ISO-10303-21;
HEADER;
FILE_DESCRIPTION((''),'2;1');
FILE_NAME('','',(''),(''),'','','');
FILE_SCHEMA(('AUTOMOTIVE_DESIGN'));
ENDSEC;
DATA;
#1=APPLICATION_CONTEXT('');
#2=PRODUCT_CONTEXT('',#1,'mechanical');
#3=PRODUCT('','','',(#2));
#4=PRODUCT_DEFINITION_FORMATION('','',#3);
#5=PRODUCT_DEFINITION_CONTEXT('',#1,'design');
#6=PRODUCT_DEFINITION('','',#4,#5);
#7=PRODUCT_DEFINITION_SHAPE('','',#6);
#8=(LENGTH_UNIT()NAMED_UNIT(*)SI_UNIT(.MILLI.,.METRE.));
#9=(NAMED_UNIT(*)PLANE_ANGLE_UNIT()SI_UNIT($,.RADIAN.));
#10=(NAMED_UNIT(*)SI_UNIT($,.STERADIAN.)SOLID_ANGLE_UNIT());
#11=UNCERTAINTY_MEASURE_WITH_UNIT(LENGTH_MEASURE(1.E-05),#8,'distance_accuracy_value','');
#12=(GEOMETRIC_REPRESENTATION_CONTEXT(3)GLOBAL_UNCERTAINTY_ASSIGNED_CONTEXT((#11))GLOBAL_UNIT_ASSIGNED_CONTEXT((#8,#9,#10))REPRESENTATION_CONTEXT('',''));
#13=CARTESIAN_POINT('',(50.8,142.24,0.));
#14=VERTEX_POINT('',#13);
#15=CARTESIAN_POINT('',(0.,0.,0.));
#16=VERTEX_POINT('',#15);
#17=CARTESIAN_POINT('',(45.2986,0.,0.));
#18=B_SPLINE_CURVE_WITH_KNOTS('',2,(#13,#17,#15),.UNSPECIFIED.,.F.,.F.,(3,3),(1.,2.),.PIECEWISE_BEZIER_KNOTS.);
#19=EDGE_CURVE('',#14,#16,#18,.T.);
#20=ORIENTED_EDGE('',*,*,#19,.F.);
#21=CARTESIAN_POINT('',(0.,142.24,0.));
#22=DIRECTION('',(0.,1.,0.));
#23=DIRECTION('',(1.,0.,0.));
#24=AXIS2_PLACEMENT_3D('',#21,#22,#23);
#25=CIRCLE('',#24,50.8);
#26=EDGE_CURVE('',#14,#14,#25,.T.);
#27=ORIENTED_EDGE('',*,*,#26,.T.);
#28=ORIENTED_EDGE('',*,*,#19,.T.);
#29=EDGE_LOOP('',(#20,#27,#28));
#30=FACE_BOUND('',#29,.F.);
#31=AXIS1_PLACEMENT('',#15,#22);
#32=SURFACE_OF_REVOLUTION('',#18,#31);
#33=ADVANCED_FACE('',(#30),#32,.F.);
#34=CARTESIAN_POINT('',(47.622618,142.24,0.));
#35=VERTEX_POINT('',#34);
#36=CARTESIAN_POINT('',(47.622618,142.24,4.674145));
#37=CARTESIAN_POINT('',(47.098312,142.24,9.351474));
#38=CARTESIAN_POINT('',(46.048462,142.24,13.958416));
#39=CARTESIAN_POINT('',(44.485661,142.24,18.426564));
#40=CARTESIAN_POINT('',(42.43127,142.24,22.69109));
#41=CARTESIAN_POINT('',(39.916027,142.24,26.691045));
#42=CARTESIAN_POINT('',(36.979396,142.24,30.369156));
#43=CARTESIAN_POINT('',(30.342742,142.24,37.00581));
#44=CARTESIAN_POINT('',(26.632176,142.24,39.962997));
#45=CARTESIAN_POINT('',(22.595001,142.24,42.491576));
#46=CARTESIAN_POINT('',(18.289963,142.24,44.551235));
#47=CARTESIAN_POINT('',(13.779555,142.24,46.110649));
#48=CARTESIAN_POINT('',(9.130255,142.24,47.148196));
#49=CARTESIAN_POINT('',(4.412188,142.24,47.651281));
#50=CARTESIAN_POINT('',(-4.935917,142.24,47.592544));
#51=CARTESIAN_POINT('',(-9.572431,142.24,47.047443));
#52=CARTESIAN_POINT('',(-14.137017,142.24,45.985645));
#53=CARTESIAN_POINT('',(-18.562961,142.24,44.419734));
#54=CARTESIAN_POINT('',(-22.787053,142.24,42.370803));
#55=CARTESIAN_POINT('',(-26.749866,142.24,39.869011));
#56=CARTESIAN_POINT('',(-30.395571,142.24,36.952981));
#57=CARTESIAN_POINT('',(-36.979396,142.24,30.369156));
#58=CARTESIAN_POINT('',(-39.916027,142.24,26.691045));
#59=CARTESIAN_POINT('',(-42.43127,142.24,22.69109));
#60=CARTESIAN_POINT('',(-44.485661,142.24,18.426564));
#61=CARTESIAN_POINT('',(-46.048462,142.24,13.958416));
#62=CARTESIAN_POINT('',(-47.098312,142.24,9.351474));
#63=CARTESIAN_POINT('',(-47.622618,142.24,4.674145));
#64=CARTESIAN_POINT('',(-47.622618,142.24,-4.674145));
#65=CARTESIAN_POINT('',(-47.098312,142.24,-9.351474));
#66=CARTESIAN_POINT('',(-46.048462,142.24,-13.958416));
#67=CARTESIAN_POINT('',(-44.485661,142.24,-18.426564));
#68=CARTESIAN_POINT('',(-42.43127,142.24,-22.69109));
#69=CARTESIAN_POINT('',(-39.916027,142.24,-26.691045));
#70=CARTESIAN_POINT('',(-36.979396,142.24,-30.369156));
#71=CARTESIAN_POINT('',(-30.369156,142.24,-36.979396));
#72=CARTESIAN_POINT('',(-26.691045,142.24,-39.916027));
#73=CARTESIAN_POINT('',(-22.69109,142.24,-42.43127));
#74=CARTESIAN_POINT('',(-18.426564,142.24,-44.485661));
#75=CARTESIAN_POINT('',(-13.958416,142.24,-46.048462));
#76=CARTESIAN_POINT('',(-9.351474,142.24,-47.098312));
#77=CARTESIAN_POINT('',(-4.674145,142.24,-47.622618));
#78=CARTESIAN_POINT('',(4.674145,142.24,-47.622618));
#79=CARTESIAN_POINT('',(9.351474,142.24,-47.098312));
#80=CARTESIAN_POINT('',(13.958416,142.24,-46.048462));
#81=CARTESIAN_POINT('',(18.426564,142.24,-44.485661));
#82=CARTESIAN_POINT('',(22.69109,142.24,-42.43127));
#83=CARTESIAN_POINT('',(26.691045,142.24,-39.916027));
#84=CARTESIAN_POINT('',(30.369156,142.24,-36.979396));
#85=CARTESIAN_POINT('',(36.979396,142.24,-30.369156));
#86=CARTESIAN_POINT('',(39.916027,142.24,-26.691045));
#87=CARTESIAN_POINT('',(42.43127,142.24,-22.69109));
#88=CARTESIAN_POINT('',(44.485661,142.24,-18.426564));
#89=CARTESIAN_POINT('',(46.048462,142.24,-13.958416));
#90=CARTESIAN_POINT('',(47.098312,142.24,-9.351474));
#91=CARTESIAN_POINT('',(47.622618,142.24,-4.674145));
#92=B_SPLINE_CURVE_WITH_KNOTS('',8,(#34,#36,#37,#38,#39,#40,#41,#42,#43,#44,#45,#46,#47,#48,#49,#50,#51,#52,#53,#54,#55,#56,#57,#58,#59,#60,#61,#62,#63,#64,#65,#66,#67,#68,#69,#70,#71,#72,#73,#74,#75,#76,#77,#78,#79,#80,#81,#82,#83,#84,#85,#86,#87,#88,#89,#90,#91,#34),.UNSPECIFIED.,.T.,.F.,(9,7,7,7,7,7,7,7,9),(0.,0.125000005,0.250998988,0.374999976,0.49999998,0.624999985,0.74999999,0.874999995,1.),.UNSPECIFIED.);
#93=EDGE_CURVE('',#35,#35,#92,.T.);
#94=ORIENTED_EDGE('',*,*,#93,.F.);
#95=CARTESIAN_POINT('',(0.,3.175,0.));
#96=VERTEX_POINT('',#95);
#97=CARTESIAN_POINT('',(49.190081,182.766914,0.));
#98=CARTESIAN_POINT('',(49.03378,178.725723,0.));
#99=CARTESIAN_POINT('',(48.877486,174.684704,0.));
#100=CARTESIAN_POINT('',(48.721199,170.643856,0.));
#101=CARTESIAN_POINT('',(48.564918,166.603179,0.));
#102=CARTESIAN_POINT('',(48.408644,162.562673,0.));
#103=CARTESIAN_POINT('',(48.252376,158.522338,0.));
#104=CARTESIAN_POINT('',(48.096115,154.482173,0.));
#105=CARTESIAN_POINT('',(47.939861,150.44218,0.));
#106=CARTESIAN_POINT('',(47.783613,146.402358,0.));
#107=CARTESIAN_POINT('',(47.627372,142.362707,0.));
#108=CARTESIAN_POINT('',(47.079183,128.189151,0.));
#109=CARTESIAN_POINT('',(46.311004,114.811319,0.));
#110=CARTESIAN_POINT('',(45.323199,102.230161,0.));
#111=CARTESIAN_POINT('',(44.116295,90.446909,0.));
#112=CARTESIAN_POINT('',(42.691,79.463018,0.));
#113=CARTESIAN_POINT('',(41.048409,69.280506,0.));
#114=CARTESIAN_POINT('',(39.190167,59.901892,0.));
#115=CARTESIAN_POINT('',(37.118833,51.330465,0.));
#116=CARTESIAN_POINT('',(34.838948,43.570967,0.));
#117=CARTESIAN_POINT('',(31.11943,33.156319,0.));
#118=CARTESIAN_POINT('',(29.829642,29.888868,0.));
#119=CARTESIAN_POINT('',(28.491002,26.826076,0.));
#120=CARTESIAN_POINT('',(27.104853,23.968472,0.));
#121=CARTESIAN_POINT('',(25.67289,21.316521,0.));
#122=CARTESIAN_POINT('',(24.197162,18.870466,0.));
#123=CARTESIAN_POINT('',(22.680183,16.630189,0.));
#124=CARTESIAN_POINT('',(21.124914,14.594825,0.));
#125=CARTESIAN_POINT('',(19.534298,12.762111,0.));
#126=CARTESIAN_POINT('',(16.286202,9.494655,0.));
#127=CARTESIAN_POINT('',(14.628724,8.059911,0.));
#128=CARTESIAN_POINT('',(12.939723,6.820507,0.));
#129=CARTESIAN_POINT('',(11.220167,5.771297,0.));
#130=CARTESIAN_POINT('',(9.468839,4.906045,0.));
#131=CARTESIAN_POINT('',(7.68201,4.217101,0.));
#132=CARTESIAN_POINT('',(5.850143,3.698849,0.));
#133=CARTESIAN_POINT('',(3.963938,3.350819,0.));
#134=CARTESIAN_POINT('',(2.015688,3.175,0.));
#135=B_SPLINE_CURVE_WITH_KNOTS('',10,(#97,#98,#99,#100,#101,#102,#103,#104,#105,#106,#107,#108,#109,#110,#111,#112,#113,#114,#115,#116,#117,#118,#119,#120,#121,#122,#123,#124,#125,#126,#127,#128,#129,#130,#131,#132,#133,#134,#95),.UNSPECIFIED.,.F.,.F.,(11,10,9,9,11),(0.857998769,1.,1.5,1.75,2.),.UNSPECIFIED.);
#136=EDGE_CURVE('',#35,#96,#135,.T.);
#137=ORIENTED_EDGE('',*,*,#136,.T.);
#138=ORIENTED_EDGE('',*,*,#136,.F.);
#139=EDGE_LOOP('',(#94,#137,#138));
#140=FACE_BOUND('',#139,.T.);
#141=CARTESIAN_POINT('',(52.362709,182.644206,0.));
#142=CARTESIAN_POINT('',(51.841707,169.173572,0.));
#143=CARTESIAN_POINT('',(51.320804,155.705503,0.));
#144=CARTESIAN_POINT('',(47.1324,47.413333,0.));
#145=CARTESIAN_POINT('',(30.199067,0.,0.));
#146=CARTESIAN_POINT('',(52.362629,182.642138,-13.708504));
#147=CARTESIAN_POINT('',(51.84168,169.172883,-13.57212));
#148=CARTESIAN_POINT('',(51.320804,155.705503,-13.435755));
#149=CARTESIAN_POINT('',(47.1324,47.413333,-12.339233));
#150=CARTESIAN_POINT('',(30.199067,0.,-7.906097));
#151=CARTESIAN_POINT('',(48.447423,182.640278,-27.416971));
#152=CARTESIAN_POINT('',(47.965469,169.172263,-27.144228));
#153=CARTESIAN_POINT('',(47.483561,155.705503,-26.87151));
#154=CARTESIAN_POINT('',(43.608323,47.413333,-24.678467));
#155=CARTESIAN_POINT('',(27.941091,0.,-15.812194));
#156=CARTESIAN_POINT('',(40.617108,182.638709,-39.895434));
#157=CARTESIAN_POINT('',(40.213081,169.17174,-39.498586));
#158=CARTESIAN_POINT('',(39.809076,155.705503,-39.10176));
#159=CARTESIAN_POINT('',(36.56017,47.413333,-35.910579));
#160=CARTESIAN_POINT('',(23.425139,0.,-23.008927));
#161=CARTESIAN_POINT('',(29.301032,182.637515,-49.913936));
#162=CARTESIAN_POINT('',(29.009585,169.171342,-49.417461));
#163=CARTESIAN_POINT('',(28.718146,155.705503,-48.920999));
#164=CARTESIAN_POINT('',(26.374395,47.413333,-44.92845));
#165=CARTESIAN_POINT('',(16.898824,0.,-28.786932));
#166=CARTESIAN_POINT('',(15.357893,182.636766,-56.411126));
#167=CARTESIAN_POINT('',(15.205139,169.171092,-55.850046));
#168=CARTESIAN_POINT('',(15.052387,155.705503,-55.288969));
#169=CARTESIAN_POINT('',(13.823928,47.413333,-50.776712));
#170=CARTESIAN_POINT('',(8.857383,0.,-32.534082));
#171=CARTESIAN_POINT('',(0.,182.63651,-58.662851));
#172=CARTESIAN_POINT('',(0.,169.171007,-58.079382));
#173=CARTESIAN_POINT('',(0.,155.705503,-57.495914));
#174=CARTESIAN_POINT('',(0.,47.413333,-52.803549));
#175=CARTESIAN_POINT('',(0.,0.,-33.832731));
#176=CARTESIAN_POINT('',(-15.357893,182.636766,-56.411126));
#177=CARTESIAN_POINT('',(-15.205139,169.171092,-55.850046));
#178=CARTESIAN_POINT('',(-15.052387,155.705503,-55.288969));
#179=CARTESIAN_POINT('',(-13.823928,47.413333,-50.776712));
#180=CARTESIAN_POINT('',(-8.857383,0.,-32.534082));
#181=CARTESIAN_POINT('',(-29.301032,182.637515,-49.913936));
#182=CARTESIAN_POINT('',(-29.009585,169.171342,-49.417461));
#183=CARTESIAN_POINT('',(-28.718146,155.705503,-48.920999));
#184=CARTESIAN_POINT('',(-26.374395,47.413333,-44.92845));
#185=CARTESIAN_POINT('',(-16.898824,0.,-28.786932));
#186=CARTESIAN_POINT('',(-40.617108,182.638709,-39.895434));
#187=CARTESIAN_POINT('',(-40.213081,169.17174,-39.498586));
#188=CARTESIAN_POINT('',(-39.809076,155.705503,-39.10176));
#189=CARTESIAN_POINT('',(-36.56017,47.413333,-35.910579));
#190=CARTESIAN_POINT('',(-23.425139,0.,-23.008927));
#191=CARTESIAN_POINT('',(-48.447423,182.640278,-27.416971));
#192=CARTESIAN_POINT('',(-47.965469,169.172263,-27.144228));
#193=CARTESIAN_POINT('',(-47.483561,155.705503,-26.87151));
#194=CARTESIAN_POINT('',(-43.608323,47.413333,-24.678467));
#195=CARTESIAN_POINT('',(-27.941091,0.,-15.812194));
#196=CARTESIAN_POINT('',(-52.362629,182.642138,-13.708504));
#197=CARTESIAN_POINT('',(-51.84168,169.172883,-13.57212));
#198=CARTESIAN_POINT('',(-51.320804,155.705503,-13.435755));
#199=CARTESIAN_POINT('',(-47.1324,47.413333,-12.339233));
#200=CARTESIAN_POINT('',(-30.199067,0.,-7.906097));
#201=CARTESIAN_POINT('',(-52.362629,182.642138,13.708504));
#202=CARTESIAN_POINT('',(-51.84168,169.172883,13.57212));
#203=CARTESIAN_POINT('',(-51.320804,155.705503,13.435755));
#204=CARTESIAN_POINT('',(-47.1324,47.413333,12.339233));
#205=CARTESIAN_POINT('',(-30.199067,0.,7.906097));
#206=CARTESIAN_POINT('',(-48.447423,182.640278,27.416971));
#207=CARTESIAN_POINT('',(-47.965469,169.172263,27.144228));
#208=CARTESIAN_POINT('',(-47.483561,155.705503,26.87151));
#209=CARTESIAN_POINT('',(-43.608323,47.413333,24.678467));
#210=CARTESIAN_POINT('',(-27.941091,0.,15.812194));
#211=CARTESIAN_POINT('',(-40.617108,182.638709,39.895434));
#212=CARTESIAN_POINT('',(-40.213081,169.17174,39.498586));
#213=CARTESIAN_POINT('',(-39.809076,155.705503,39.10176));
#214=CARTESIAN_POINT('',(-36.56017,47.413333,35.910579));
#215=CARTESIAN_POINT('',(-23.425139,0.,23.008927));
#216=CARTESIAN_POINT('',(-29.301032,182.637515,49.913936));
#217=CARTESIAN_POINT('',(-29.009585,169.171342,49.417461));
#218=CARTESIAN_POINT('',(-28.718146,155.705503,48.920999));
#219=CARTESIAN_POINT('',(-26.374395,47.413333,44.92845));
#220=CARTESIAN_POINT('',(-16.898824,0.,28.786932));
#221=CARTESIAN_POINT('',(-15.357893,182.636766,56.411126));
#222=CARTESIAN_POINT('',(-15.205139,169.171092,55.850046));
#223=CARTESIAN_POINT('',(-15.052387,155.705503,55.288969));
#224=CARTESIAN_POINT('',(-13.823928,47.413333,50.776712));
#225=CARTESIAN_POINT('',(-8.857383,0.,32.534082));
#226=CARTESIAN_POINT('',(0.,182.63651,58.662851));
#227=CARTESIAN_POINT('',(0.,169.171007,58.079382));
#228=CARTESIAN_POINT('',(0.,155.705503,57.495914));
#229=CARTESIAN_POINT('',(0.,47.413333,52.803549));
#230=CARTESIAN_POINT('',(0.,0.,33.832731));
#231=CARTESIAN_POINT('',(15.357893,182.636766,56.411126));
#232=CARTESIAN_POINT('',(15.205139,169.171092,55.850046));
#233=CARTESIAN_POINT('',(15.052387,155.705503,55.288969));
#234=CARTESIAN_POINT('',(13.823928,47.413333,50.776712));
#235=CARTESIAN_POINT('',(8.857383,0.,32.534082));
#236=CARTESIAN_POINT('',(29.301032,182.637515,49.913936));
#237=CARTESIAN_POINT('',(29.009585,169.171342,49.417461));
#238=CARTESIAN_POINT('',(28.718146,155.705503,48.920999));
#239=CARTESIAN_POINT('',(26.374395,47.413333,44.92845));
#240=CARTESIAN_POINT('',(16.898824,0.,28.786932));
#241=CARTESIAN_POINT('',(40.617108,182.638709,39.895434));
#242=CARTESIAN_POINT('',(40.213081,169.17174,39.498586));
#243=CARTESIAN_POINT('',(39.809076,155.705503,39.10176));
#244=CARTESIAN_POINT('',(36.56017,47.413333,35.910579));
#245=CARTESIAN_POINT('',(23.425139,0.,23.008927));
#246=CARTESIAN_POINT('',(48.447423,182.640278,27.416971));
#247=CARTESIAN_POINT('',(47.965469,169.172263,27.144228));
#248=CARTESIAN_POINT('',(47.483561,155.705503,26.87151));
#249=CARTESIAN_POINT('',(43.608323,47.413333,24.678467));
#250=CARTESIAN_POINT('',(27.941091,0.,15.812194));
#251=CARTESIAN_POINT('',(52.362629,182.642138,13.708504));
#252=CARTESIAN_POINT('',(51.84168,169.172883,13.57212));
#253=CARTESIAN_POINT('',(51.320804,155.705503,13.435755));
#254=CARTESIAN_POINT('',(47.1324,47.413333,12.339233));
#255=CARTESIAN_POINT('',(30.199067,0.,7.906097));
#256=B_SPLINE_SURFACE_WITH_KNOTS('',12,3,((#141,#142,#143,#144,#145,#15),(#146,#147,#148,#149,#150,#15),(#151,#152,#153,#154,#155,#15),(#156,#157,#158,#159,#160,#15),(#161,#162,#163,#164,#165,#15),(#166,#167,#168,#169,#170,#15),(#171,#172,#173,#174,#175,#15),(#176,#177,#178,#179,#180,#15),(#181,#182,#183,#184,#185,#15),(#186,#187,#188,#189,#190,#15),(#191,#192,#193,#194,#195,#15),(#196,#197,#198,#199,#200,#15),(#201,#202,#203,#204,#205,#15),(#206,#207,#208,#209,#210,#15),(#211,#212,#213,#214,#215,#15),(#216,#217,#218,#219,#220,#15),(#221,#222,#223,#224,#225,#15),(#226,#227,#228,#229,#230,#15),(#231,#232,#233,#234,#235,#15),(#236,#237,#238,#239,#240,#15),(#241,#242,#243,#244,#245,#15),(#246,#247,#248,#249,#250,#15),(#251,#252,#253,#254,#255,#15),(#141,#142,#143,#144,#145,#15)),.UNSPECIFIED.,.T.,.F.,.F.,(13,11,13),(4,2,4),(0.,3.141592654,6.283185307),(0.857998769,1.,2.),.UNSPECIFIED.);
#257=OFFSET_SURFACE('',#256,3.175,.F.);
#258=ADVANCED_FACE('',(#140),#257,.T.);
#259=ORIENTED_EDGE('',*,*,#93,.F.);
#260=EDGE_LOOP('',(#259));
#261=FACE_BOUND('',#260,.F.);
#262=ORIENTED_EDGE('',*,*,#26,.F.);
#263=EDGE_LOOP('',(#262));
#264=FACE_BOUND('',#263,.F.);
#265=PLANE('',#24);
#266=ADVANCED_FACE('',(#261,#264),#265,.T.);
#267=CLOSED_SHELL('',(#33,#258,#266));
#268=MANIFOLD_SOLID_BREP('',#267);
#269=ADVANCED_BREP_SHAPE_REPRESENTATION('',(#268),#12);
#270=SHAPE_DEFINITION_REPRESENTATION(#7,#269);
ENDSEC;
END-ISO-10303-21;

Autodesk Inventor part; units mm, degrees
ref_plane "YZ Plane" through (0, 0, 0) normal (1, 0, 0) x (0, 1, 0)
ref_plane "XZ Plane" through (0, 0, 0) normal (0, 1, 0) x (-1, 0, 0)
ref_plane "XY Plane" through (0, 0, 0) normal (0, 0, 1) x (1, 0, 0)
sketch "Sketch6" plane through (0, 0, 0) normal (0, 0, 1) x (1, 0, 0)
  line L0 (540.6478, 1219.1491) -> (540.6478, -58.7076) construction
  line L1 (540.6478, -58.7076) -> (-407.4394, -58.7076) construction
  line L2 (-407.4394, -58.7076) -> (-407.4394, 1219.1491) construction
  line L3 (-407.4394, 1219.1491) -> (540.6478, 1219.1491) construction
  point P0 (0, 0)
sketch "Sketch5" plane through (0, 0, 0) normal (0, 0, 1) x (1, 0, 0)
  line L0 (0, 0) -> (0, 142.24)
  line L1 (0, 142.24) -> (50.8, 142.24)
  line L2 (50.8, 142.24) -> (-50.8, 142.24)
  line L3 (50.8, 142.24) -> (45.2986, 0) construction
  line L4 (45.2986, 0) -> (0, 0) construction
  spline S0 degree 2 poles (50.8, 142.24) (45.2986, 0) (0, 0) knots 1 1 1 2 2 2
  line L5 (-50.8, 142.24) -> (-45.2986, 0) construction
  line L6 (-45.2986, 0) -> (0, 0) construction
  spline S1 degree 2 poles (-50.8, 142.24) (-45.2986, 0) (0, 0) knots 1 1 1 2 2 2
  dimension "d20" = 142.24
  dimension "d21" = 50.8
  dimension "d22" = 101.6
revolve "Revolution1" add sketch "Sketch5" angle 360 about axis through (0, 0, 0) along (0, 1, 0) contours L0 L1 S0
shell "Shell1" thickness 3.175 removed faces 1 at (-7.3018, 142.24, -11.5135)
properties part number "primarySingleFore_02"
